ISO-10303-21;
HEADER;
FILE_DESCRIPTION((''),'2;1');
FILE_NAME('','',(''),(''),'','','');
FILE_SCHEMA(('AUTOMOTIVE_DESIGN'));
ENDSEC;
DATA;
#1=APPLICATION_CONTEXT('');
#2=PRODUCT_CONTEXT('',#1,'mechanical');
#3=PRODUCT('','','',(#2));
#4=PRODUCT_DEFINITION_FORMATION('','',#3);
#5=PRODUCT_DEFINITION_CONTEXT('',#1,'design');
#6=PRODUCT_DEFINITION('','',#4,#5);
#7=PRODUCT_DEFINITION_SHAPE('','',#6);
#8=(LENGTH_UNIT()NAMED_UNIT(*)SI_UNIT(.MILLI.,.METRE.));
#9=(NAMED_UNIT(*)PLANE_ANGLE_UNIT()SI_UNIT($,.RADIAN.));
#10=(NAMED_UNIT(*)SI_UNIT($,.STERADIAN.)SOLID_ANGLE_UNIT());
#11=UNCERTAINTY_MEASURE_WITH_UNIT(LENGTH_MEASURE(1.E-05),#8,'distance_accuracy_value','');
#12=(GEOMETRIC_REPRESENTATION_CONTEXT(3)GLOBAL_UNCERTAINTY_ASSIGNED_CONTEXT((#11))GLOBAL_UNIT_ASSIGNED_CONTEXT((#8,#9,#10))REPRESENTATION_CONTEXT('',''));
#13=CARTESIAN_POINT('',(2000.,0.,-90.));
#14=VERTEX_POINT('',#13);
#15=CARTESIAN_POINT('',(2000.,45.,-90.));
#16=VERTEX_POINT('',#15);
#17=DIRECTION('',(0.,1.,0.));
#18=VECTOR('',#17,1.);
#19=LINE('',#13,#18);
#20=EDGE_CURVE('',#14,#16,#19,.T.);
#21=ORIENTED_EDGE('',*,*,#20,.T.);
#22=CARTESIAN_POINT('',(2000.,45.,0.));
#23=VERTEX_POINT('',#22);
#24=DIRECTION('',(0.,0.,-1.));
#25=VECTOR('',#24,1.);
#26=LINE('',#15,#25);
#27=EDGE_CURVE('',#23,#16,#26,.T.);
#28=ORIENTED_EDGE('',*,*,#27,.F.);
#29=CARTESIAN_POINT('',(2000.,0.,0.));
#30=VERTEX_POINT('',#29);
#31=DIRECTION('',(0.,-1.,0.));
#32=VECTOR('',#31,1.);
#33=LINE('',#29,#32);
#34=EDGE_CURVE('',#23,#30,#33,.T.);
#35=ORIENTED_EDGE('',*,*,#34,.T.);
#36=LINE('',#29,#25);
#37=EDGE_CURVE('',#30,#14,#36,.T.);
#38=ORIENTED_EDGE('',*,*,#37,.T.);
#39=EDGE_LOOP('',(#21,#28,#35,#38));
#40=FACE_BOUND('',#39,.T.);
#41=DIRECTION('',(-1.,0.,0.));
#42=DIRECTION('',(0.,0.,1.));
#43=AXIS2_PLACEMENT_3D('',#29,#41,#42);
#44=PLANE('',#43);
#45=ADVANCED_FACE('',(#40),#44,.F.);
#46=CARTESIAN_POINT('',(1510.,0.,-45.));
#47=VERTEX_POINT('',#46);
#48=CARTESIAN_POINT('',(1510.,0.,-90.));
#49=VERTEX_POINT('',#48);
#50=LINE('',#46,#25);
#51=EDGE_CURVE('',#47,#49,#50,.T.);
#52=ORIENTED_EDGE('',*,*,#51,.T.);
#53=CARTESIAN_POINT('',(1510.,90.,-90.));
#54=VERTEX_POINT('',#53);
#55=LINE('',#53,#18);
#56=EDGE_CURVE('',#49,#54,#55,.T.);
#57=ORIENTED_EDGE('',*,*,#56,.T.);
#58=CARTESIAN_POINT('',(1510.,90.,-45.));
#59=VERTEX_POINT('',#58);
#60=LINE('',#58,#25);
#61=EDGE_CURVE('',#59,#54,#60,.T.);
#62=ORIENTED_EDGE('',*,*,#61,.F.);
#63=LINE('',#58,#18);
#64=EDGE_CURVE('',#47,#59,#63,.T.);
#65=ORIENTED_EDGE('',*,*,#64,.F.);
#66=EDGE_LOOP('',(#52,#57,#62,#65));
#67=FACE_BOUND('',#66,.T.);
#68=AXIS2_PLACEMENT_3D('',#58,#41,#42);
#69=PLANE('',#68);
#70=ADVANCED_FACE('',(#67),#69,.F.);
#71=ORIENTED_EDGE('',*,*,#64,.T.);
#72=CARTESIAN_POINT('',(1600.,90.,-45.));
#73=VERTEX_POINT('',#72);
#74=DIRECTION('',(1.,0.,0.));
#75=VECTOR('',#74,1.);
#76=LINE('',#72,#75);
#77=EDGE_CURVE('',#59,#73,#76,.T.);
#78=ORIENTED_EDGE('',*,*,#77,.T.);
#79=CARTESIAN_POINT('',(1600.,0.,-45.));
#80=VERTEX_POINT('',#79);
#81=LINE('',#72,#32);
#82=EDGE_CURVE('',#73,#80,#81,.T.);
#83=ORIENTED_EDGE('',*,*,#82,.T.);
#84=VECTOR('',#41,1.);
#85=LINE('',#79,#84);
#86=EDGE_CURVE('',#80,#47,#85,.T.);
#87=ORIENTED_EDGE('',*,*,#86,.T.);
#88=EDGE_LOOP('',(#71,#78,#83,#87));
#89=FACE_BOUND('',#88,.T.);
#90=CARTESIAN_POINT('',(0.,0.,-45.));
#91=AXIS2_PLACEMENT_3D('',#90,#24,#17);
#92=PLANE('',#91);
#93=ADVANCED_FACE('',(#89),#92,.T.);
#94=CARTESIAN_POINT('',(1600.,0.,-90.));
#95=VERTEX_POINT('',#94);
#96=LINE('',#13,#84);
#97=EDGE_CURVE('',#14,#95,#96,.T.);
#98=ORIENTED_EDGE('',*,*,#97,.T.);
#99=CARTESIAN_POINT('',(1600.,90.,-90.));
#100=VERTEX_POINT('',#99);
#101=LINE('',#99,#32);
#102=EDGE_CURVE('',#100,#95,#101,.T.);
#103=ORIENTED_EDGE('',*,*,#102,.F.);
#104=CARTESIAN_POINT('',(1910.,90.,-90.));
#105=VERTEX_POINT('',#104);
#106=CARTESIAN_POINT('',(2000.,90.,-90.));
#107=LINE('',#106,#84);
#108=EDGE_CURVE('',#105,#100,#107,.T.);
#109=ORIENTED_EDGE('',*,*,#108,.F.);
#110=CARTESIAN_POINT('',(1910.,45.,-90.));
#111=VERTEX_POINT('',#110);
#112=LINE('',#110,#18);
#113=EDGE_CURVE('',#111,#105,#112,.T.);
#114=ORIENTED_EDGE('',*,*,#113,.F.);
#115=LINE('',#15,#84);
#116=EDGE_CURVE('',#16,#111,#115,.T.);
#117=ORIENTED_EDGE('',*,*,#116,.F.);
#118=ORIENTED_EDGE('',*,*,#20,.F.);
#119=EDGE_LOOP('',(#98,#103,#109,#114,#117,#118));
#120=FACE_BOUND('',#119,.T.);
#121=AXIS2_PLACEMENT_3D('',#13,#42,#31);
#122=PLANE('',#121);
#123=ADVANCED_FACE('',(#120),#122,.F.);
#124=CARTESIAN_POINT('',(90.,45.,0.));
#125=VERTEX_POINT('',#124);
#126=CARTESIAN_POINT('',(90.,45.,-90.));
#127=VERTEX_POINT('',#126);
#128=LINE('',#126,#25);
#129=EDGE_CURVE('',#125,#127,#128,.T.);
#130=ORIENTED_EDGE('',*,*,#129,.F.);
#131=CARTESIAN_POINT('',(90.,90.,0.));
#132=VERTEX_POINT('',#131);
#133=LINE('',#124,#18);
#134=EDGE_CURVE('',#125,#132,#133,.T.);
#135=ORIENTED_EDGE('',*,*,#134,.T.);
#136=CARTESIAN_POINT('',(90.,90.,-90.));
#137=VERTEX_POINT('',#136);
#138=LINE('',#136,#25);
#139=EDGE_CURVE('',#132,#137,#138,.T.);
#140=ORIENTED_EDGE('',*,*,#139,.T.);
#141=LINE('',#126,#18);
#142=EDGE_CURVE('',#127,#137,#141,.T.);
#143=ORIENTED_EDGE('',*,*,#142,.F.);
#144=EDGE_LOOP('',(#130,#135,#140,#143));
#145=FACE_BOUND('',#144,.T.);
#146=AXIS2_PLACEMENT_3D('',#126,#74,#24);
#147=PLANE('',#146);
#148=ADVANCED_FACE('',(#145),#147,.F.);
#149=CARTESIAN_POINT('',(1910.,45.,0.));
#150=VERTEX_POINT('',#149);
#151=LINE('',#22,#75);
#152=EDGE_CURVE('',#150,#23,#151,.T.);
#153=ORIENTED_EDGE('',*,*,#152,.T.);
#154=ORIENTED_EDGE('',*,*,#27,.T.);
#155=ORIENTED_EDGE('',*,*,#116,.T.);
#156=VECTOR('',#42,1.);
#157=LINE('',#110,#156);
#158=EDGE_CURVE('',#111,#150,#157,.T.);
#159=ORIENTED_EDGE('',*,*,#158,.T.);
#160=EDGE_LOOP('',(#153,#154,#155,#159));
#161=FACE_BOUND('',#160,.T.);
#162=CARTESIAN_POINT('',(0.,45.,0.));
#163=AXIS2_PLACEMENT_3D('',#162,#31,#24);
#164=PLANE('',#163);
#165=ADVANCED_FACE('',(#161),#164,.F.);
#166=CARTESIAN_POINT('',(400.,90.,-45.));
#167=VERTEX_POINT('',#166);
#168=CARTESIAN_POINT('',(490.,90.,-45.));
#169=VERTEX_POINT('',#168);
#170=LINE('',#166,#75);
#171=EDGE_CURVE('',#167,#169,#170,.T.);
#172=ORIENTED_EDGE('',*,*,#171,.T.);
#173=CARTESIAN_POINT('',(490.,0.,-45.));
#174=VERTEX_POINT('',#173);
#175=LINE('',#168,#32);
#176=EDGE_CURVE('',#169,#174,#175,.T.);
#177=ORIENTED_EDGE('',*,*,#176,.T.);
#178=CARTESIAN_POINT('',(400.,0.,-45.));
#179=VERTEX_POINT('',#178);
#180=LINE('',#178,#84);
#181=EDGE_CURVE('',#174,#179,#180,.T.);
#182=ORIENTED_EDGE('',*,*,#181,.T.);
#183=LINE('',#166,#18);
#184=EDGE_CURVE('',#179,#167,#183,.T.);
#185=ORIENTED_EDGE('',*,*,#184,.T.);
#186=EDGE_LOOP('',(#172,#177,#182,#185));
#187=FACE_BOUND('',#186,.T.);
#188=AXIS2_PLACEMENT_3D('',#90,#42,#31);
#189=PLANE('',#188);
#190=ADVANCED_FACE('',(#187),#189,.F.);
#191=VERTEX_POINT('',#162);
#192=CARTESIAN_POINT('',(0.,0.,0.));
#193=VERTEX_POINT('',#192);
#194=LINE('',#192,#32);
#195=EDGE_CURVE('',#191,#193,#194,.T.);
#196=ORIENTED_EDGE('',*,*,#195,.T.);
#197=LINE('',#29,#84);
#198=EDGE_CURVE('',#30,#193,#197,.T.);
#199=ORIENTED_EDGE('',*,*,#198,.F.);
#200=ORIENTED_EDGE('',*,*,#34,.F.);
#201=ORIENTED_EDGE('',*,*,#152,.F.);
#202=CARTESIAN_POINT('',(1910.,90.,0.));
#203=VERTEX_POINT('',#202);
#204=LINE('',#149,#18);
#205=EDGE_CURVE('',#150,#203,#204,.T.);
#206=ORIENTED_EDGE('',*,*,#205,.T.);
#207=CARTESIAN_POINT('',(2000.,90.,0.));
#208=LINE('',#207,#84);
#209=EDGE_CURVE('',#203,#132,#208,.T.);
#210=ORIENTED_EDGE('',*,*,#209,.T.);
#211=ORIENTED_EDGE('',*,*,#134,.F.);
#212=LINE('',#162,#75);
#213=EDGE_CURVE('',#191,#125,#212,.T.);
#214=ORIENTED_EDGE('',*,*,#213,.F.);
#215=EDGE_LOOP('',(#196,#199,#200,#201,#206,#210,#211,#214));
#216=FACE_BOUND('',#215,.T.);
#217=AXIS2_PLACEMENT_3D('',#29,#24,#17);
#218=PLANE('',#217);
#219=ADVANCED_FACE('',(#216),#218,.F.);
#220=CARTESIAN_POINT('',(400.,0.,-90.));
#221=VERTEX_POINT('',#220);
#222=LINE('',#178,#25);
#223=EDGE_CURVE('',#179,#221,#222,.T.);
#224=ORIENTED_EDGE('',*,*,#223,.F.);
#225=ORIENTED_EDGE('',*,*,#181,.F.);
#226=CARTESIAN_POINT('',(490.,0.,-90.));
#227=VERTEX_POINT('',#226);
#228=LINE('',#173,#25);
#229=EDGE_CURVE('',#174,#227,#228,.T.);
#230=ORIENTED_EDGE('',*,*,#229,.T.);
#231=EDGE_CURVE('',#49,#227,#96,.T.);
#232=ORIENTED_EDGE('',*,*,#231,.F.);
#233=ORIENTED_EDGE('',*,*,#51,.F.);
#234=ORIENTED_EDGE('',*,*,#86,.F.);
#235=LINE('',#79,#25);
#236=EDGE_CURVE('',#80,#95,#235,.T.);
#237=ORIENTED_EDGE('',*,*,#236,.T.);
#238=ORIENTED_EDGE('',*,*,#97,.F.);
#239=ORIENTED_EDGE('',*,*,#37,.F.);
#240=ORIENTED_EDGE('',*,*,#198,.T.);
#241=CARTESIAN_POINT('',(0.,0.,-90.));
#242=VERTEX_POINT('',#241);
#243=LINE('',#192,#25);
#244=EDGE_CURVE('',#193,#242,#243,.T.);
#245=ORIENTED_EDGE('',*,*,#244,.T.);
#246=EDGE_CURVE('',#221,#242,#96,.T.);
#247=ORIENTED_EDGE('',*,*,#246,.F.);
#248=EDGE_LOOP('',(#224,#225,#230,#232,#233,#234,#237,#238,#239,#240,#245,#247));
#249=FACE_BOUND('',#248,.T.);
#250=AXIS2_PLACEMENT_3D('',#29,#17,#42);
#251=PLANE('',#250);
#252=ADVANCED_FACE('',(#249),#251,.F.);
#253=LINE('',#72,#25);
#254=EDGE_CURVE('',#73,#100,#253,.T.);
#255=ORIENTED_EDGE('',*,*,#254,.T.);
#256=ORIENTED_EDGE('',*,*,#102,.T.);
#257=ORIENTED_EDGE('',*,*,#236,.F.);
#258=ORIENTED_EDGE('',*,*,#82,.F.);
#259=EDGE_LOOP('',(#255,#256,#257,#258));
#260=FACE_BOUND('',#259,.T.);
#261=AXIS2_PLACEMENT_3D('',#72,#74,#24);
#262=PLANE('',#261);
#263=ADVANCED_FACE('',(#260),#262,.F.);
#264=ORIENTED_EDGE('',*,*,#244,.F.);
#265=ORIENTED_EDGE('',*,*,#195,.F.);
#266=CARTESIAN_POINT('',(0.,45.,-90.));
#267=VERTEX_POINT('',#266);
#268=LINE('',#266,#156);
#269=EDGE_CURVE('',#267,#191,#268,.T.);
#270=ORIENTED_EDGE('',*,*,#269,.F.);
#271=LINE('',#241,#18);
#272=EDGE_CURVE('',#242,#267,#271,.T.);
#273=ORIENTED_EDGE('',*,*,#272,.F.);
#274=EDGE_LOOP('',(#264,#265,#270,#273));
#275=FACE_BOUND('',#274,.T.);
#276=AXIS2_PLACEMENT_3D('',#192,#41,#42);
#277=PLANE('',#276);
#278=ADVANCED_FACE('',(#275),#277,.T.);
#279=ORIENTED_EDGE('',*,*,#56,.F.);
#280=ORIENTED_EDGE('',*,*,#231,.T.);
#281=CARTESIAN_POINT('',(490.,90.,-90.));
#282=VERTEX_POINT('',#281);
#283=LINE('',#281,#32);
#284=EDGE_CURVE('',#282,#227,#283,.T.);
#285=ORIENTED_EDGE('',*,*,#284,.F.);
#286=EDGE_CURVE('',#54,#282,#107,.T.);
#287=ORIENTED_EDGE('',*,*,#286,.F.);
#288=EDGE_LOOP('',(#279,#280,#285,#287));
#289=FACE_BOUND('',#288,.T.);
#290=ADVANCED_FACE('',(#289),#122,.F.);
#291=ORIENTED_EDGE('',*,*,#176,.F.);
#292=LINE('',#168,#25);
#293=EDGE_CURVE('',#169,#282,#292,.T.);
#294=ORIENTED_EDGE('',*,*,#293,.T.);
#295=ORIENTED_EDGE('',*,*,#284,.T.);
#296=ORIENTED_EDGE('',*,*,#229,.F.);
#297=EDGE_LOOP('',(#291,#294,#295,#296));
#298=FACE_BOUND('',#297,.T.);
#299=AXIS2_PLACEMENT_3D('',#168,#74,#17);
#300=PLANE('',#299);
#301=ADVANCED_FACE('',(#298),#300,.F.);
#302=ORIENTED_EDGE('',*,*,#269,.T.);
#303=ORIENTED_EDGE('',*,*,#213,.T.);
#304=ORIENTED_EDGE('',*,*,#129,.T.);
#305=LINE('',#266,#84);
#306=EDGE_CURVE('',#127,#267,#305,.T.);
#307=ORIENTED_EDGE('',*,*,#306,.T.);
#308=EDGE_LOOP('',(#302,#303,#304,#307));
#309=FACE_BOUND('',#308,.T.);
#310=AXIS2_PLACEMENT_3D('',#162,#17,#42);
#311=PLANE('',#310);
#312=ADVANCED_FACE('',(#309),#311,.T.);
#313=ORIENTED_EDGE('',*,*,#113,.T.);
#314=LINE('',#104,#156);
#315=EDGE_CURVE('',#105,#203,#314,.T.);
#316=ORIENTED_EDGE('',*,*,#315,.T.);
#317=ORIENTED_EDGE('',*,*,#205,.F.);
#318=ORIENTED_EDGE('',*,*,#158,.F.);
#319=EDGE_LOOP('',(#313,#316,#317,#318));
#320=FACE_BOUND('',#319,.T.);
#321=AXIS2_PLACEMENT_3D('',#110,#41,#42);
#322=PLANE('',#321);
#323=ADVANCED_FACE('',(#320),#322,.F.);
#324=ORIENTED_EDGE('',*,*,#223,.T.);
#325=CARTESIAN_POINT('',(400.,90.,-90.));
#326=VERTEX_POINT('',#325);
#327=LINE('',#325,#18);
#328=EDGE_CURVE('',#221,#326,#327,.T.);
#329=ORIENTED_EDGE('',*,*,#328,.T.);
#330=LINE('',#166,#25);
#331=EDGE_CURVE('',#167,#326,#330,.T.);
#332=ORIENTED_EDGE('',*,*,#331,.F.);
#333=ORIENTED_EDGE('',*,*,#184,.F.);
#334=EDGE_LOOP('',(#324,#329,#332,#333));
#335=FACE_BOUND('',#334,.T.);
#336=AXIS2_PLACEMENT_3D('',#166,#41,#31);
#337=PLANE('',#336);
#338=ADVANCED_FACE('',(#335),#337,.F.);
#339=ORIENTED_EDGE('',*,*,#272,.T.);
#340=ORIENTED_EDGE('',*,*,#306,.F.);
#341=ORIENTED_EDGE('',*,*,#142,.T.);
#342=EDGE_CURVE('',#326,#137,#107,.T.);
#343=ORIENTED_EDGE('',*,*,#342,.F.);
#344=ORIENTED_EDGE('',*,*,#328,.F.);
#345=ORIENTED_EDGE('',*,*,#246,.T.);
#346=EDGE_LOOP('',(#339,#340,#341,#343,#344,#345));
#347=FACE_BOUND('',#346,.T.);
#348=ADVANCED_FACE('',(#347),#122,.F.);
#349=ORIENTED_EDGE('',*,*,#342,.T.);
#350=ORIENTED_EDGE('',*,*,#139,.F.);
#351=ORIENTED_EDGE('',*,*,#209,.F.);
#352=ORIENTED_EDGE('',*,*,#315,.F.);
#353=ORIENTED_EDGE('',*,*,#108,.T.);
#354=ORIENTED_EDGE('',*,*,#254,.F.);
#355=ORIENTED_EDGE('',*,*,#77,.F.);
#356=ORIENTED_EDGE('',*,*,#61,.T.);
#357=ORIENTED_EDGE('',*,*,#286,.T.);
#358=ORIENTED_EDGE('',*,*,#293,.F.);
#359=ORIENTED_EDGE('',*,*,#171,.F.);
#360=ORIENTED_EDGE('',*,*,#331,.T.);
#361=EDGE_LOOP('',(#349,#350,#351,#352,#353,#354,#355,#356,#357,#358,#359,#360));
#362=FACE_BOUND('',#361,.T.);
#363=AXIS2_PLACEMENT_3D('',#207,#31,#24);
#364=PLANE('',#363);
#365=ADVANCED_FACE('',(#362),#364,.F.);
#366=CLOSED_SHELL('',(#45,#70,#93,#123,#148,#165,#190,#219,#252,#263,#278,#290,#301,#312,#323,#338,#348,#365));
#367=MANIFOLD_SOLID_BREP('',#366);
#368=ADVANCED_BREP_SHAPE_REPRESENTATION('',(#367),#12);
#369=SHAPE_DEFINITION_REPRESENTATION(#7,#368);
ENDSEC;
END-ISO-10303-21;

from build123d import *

# Parameters (mm, degrees)
SKETCH1_W           = 90
SKETCH1_H           = 90
BOSS_EXTRUDE1_DEPTH = 2000
SKETCH2_W           = 90
SKETCH2_H           = 90
CUT_EXTRUDE1_DEPTH  = 45
SKETCH3_W           = 90
SKETCH3_H           = 90
CUT_EXTRUDE2_DEPTH  = 45


with BuildPart() as part:
    # Sketch1 → Boss-Extrude1 (new body)
    with BuildSketch(Plane(origin=(0, 0, 0), x_dir=(0, 0, -1), z_dir=(1, 0, 0))):
        with Locations((45, 45)):
            Rectangle(SKETCH1_W, SKETCH1_H)
    extrude(amount=BOSS_EXTRUDE1_DEPTH)

    # Sketch2 → Cut-Extrude1 (cut)
    with BuildSketch(Plane(origin=(0, 90, 0), x_dir=(1, 0, 0), z_dir=(0, 1, 0))):
        with Locations((45, 45)):
            Rectangle(SKETCH2_W, SKETCH2_H)
        with Locations((1955, 45)):
            Rectangle(SKETCH2_W, SKETCH2_H)
    extrude(amount=-CUT_EXTRUDE1_DEPTH, mode=Mode.SUBTRACT)

    # Sketch3 → Cut-Extrude2 (cut)
    with BuildSketch(Plane(origin=(0, 0, -90), x_dir=(-1, 0, 0), z_dir=(0, 0, -1))):
        with Locations((-1555, 45)):
            Rectangle(SKETCH3_W, SKETCH3_H)
        with Locations((-445, 45)):
            Rectangle(SKETCH3_W, SKETCH3_H)
    extrude(amount=-CUT_EXTRUDE2_DEPTH, mode=Mode.SUBTRACT)


solid = part.part
